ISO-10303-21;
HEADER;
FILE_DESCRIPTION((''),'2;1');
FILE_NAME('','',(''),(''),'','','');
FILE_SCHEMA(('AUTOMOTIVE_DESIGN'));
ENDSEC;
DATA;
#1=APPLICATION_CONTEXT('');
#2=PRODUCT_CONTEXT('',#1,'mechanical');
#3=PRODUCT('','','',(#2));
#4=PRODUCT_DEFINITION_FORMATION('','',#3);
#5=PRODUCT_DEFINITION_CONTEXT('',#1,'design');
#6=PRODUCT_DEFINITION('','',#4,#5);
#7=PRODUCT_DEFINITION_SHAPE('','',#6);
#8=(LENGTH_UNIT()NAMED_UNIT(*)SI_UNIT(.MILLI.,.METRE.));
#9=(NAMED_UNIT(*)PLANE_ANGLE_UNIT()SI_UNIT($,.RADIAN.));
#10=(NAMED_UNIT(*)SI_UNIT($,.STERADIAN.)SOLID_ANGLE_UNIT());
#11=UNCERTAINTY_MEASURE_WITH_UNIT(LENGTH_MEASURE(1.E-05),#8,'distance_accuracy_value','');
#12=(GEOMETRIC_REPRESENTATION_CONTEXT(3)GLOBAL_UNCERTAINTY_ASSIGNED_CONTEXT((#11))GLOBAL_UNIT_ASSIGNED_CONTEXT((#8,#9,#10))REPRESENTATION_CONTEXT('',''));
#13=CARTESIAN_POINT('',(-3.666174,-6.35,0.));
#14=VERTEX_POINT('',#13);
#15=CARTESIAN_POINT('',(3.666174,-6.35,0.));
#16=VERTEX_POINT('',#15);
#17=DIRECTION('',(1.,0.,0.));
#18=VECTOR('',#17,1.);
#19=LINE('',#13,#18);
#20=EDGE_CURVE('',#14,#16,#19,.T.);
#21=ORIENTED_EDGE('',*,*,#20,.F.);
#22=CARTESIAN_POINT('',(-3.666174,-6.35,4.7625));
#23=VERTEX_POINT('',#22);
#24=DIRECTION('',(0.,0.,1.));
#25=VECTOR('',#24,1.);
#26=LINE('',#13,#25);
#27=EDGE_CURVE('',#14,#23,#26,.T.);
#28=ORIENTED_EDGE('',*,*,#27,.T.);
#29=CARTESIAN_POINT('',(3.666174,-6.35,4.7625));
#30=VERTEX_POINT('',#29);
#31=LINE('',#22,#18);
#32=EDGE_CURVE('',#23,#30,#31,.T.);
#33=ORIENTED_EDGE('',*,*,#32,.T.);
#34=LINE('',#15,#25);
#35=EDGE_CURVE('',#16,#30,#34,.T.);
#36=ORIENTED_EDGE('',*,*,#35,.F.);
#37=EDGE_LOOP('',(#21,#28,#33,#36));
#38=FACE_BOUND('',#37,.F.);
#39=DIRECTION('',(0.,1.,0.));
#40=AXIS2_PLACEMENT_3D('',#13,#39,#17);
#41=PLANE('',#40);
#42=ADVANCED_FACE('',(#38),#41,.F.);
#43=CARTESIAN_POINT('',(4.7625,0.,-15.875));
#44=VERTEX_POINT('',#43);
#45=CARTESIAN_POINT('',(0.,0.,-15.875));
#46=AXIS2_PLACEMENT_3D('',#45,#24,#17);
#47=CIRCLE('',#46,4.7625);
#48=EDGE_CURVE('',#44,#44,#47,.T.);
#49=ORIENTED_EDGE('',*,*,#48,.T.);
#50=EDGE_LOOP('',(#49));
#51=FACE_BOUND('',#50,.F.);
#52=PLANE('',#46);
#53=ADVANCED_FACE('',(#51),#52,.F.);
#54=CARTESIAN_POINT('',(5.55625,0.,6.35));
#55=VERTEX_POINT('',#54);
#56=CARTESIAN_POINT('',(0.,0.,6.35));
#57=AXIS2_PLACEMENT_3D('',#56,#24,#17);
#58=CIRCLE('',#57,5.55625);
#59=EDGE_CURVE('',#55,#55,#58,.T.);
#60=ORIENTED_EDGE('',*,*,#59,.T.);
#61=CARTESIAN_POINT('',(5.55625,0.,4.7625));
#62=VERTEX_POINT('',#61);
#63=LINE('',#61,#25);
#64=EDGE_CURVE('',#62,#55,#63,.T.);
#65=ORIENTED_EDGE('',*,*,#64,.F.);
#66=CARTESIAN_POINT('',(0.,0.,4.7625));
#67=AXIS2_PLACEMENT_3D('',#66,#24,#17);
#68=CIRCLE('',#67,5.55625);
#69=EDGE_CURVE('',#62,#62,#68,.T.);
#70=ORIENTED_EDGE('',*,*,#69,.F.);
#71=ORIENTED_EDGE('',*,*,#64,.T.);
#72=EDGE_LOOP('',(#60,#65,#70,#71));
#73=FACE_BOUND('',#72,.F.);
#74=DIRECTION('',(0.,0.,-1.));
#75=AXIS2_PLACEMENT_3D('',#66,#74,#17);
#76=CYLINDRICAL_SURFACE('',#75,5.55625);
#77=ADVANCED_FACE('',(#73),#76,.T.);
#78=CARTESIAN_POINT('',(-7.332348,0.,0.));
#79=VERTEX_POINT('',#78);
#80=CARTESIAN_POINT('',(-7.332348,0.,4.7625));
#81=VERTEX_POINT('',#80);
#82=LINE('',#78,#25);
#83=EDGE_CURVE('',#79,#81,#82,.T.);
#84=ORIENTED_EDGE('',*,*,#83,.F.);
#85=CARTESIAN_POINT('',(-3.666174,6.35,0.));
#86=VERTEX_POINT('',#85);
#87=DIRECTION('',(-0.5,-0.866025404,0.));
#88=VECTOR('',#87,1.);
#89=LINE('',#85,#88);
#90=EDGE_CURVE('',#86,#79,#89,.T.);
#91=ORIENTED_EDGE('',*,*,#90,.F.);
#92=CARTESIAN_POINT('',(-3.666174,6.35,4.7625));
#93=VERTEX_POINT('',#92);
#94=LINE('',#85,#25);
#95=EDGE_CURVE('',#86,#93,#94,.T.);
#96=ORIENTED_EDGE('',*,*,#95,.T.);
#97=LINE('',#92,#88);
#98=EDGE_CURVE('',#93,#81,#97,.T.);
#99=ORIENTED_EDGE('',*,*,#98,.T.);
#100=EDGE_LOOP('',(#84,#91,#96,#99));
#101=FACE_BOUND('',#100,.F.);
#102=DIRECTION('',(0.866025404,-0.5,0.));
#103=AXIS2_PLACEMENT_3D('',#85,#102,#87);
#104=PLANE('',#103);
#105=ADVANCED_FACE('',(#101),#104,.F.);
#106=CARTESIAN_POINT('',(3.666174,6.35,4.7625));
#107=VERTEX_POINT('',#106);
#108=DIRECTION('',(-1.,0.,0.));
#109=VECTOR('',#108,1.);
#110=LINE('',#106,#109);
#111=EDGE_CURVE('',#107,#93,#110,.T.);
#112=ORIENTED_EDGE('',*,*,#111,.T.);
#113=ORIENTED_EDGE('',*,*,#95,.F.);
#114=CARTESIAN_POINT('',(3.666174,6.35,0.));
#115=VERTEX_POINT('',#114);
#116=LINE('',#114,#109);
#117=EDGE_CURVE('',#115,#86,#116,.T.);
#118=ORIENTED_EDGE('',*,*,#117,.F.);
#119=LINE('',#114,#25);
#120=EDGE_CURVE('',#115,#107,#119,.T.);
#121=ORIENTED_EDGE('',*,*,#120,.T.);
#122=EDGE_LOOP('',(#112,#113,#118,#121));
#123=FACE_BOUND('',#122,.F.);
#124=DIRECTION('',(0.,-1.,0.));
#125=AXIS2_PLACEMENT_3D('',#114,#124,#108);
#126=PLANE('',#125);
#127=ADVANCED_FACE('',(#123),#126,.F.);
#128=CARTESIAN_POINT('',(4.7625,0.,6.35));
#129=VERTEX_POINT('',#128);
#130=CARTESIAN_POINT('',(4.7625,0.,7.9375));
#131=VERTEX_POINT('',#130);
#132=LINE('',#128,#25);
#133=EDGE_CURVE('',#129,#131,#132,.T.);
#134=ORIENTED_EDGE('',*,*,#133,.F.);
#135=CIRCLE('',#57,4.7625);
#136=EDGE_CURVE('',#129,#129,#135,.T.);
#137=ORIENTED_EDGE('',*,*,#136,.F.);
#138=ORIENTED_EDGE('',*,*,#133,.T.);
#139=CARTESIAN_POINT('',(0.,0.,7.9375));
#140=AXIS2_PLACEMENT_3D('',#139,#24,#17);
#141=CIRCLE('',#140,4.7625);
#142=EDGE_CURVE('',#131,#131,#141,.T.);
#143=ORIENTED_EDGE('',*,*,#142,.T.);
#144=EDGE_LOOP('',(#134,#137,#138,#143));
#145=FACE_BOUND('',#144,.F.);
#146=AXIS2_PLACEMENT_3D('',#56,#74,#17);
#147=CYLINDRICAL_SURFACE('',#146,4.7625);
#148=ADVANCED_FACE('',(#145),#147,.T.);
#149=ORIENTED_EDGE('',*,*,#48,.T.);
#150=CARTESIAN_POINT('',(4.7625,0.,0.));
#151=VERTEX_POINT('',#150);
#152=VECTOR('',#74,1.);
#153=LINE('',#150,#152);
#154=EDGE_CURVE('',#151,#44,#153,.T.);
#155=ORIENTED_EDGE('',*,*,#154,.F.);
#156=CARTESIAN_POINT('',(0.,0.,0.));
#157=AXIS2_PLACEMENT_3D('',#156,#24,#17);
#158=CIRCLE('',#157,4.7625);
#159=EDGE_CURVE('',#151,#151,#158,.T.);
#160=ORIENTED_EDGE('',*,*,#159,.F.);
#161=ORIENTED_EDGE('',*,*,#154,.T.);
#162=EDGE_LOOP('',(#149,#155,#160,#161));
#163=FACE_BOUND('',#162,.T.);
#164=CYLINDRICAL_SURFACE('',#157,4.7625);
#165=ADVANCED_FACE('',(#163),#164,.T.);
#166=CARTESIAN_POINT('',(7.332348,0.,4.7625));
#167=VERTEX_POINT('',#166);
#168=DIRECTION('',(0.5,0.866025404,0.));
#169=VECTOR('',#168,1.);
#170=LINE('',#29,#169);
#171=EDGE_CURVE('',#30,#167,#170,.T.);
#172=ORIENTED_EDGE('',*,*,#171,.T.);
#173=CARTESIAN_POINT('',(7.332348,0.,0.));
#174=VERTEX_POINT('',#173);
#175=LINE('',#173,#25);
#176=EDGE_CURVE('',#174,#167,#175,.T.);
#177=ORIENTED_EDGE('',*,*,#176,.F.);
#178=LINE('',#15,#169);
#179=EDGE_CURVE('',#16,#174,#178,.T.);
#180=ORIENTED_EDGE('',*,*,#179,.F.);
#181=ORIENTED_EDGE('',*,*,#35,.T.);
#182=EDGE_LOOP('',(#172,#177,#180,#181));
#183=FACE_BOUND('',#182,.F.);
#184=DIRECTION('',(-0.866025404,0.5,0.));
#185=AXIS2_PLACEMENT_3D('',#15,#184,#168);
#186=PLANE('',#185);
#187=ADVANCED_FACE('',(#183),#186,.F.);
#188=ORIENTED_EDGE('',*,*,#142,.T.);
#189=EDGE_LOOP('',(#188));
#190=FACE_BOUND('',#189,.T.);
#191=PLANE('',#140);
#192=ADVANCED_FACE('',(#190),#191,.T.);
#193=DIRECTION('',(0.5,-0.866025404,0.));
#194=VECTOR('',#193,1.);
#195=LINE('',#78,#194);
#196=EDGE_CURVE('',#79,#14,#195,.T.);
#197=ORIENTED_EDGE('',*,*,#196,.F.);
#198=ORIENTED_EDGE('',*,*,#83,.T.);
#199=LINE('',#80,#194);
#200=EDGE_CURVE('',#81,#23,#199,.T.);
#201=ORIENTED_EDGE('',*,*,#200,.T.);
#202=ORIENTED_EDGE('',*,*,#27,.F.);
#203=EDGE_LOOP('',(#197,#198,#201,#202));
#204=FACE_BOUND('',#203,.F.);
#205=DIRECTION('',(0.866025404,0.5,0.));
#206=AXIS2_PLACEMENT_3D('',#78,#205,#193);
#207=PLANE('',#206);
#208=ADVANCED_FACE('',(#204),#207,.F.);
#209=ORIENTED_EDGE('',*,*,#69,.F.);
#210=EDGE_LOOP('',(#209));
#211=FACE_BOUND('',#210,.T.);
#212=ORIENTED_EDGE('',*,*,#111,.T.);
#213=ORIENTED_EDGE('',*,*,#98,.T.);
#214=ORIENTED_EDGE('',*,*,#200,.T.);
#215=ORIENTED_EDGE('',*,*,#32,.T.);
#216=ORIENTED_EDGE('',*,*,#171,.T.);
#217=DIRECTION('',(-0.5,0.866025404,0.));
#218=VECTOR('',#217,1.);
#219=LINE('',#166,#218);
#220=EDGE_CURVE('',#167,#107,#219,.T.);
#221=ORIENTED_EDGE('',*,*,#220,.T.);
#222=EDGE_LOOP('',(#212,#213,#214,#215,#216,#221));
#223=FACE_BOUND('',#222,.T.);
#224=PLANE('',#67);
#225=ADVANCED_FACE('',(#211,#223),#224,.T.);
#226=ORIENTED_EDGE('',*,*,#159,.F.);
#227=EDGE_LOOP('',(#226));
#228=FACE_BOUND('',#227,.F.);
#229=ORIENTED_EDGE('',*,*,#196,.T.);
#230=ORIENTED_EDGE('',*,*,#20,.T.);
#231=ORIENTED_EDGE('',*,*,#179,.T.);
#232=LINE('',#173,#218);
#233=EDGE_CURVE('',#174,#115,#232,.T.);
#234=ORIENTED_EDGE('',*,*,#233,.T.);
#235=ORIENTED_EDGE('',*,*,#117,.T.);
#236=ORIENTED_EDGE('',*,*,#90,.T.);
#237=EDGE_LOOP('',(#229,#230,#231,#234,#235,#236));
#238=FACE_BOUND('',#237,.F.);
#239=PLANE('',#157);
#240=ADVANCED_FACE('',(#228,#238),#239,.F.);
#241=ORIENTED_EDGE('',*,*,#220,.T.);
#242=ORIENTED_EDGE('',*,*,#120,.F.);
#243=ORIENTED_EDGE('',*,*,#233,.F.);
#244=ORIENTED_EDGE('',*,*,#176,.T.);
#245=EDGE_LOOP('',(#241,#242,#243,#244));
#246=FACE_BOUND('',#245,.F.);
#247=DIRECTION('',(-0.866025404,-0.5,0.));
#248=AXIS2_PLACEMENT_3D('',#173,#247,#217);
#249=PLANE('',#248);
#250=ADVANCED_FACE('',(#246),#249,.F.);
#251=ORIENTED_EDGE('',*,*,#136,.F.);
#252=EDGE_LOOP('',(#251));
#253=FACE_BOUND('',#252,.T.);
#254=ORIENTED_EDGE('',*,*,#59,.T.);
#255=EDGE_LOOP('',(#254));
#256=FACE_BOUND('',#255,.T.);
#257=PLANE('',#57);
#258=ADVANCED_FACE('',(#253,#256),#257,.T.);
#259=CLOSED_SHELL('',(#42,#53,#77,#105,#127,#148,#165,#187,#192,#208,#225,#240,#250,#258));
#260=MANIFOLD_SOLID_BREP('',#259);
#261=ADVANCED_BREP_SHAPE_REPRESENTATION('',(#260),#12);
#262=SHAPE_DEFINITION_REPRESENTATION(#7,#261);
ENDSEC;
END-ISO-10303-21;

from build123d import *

# Parameters (mm, degrees)
F1_DEPTH = 4.7625
F2_R     = 4.7625
F3_DEPTH = 15.875
F4_R     = 5.55625
F5_DEPTH = 1.5875
F6_R     = 4.7625
F7_DEPTH = 1.5875


with BuildPart() as f1:
    # F0 (on Top) → F1 (new body)
    with BuildSketch(Plane.XY):
        Polygon((-3.6661742094, -6.35), (3.6661742094, -6.35), (7.3323484187, 0), (3.6661742094, 6.35), (-3.6661742094, 6.35), (-7.3323484187, 0), align=None)
    extrude(amount=F1_DEPTH)

    # F2 (on Top) → F3 (join)
    with BuildSketch(Plane.XY):
        Circle(F2_R)
    extrude(amount=-F3_DEPTH)

    # F4 (on face) → F5 (join)
    with BuildSketch(Plane.XY.offset(4.7625)):
        Circle(F4_R)
    extrude(amount=F5_DEPTH)

    # F6 (on face) → F7 (join)
    with BuildSketch(Plane.XY.offset(6.35)):
        Circle(F6_R)
    extrude(amount=F7_DEPTH)


solid = f1.part
